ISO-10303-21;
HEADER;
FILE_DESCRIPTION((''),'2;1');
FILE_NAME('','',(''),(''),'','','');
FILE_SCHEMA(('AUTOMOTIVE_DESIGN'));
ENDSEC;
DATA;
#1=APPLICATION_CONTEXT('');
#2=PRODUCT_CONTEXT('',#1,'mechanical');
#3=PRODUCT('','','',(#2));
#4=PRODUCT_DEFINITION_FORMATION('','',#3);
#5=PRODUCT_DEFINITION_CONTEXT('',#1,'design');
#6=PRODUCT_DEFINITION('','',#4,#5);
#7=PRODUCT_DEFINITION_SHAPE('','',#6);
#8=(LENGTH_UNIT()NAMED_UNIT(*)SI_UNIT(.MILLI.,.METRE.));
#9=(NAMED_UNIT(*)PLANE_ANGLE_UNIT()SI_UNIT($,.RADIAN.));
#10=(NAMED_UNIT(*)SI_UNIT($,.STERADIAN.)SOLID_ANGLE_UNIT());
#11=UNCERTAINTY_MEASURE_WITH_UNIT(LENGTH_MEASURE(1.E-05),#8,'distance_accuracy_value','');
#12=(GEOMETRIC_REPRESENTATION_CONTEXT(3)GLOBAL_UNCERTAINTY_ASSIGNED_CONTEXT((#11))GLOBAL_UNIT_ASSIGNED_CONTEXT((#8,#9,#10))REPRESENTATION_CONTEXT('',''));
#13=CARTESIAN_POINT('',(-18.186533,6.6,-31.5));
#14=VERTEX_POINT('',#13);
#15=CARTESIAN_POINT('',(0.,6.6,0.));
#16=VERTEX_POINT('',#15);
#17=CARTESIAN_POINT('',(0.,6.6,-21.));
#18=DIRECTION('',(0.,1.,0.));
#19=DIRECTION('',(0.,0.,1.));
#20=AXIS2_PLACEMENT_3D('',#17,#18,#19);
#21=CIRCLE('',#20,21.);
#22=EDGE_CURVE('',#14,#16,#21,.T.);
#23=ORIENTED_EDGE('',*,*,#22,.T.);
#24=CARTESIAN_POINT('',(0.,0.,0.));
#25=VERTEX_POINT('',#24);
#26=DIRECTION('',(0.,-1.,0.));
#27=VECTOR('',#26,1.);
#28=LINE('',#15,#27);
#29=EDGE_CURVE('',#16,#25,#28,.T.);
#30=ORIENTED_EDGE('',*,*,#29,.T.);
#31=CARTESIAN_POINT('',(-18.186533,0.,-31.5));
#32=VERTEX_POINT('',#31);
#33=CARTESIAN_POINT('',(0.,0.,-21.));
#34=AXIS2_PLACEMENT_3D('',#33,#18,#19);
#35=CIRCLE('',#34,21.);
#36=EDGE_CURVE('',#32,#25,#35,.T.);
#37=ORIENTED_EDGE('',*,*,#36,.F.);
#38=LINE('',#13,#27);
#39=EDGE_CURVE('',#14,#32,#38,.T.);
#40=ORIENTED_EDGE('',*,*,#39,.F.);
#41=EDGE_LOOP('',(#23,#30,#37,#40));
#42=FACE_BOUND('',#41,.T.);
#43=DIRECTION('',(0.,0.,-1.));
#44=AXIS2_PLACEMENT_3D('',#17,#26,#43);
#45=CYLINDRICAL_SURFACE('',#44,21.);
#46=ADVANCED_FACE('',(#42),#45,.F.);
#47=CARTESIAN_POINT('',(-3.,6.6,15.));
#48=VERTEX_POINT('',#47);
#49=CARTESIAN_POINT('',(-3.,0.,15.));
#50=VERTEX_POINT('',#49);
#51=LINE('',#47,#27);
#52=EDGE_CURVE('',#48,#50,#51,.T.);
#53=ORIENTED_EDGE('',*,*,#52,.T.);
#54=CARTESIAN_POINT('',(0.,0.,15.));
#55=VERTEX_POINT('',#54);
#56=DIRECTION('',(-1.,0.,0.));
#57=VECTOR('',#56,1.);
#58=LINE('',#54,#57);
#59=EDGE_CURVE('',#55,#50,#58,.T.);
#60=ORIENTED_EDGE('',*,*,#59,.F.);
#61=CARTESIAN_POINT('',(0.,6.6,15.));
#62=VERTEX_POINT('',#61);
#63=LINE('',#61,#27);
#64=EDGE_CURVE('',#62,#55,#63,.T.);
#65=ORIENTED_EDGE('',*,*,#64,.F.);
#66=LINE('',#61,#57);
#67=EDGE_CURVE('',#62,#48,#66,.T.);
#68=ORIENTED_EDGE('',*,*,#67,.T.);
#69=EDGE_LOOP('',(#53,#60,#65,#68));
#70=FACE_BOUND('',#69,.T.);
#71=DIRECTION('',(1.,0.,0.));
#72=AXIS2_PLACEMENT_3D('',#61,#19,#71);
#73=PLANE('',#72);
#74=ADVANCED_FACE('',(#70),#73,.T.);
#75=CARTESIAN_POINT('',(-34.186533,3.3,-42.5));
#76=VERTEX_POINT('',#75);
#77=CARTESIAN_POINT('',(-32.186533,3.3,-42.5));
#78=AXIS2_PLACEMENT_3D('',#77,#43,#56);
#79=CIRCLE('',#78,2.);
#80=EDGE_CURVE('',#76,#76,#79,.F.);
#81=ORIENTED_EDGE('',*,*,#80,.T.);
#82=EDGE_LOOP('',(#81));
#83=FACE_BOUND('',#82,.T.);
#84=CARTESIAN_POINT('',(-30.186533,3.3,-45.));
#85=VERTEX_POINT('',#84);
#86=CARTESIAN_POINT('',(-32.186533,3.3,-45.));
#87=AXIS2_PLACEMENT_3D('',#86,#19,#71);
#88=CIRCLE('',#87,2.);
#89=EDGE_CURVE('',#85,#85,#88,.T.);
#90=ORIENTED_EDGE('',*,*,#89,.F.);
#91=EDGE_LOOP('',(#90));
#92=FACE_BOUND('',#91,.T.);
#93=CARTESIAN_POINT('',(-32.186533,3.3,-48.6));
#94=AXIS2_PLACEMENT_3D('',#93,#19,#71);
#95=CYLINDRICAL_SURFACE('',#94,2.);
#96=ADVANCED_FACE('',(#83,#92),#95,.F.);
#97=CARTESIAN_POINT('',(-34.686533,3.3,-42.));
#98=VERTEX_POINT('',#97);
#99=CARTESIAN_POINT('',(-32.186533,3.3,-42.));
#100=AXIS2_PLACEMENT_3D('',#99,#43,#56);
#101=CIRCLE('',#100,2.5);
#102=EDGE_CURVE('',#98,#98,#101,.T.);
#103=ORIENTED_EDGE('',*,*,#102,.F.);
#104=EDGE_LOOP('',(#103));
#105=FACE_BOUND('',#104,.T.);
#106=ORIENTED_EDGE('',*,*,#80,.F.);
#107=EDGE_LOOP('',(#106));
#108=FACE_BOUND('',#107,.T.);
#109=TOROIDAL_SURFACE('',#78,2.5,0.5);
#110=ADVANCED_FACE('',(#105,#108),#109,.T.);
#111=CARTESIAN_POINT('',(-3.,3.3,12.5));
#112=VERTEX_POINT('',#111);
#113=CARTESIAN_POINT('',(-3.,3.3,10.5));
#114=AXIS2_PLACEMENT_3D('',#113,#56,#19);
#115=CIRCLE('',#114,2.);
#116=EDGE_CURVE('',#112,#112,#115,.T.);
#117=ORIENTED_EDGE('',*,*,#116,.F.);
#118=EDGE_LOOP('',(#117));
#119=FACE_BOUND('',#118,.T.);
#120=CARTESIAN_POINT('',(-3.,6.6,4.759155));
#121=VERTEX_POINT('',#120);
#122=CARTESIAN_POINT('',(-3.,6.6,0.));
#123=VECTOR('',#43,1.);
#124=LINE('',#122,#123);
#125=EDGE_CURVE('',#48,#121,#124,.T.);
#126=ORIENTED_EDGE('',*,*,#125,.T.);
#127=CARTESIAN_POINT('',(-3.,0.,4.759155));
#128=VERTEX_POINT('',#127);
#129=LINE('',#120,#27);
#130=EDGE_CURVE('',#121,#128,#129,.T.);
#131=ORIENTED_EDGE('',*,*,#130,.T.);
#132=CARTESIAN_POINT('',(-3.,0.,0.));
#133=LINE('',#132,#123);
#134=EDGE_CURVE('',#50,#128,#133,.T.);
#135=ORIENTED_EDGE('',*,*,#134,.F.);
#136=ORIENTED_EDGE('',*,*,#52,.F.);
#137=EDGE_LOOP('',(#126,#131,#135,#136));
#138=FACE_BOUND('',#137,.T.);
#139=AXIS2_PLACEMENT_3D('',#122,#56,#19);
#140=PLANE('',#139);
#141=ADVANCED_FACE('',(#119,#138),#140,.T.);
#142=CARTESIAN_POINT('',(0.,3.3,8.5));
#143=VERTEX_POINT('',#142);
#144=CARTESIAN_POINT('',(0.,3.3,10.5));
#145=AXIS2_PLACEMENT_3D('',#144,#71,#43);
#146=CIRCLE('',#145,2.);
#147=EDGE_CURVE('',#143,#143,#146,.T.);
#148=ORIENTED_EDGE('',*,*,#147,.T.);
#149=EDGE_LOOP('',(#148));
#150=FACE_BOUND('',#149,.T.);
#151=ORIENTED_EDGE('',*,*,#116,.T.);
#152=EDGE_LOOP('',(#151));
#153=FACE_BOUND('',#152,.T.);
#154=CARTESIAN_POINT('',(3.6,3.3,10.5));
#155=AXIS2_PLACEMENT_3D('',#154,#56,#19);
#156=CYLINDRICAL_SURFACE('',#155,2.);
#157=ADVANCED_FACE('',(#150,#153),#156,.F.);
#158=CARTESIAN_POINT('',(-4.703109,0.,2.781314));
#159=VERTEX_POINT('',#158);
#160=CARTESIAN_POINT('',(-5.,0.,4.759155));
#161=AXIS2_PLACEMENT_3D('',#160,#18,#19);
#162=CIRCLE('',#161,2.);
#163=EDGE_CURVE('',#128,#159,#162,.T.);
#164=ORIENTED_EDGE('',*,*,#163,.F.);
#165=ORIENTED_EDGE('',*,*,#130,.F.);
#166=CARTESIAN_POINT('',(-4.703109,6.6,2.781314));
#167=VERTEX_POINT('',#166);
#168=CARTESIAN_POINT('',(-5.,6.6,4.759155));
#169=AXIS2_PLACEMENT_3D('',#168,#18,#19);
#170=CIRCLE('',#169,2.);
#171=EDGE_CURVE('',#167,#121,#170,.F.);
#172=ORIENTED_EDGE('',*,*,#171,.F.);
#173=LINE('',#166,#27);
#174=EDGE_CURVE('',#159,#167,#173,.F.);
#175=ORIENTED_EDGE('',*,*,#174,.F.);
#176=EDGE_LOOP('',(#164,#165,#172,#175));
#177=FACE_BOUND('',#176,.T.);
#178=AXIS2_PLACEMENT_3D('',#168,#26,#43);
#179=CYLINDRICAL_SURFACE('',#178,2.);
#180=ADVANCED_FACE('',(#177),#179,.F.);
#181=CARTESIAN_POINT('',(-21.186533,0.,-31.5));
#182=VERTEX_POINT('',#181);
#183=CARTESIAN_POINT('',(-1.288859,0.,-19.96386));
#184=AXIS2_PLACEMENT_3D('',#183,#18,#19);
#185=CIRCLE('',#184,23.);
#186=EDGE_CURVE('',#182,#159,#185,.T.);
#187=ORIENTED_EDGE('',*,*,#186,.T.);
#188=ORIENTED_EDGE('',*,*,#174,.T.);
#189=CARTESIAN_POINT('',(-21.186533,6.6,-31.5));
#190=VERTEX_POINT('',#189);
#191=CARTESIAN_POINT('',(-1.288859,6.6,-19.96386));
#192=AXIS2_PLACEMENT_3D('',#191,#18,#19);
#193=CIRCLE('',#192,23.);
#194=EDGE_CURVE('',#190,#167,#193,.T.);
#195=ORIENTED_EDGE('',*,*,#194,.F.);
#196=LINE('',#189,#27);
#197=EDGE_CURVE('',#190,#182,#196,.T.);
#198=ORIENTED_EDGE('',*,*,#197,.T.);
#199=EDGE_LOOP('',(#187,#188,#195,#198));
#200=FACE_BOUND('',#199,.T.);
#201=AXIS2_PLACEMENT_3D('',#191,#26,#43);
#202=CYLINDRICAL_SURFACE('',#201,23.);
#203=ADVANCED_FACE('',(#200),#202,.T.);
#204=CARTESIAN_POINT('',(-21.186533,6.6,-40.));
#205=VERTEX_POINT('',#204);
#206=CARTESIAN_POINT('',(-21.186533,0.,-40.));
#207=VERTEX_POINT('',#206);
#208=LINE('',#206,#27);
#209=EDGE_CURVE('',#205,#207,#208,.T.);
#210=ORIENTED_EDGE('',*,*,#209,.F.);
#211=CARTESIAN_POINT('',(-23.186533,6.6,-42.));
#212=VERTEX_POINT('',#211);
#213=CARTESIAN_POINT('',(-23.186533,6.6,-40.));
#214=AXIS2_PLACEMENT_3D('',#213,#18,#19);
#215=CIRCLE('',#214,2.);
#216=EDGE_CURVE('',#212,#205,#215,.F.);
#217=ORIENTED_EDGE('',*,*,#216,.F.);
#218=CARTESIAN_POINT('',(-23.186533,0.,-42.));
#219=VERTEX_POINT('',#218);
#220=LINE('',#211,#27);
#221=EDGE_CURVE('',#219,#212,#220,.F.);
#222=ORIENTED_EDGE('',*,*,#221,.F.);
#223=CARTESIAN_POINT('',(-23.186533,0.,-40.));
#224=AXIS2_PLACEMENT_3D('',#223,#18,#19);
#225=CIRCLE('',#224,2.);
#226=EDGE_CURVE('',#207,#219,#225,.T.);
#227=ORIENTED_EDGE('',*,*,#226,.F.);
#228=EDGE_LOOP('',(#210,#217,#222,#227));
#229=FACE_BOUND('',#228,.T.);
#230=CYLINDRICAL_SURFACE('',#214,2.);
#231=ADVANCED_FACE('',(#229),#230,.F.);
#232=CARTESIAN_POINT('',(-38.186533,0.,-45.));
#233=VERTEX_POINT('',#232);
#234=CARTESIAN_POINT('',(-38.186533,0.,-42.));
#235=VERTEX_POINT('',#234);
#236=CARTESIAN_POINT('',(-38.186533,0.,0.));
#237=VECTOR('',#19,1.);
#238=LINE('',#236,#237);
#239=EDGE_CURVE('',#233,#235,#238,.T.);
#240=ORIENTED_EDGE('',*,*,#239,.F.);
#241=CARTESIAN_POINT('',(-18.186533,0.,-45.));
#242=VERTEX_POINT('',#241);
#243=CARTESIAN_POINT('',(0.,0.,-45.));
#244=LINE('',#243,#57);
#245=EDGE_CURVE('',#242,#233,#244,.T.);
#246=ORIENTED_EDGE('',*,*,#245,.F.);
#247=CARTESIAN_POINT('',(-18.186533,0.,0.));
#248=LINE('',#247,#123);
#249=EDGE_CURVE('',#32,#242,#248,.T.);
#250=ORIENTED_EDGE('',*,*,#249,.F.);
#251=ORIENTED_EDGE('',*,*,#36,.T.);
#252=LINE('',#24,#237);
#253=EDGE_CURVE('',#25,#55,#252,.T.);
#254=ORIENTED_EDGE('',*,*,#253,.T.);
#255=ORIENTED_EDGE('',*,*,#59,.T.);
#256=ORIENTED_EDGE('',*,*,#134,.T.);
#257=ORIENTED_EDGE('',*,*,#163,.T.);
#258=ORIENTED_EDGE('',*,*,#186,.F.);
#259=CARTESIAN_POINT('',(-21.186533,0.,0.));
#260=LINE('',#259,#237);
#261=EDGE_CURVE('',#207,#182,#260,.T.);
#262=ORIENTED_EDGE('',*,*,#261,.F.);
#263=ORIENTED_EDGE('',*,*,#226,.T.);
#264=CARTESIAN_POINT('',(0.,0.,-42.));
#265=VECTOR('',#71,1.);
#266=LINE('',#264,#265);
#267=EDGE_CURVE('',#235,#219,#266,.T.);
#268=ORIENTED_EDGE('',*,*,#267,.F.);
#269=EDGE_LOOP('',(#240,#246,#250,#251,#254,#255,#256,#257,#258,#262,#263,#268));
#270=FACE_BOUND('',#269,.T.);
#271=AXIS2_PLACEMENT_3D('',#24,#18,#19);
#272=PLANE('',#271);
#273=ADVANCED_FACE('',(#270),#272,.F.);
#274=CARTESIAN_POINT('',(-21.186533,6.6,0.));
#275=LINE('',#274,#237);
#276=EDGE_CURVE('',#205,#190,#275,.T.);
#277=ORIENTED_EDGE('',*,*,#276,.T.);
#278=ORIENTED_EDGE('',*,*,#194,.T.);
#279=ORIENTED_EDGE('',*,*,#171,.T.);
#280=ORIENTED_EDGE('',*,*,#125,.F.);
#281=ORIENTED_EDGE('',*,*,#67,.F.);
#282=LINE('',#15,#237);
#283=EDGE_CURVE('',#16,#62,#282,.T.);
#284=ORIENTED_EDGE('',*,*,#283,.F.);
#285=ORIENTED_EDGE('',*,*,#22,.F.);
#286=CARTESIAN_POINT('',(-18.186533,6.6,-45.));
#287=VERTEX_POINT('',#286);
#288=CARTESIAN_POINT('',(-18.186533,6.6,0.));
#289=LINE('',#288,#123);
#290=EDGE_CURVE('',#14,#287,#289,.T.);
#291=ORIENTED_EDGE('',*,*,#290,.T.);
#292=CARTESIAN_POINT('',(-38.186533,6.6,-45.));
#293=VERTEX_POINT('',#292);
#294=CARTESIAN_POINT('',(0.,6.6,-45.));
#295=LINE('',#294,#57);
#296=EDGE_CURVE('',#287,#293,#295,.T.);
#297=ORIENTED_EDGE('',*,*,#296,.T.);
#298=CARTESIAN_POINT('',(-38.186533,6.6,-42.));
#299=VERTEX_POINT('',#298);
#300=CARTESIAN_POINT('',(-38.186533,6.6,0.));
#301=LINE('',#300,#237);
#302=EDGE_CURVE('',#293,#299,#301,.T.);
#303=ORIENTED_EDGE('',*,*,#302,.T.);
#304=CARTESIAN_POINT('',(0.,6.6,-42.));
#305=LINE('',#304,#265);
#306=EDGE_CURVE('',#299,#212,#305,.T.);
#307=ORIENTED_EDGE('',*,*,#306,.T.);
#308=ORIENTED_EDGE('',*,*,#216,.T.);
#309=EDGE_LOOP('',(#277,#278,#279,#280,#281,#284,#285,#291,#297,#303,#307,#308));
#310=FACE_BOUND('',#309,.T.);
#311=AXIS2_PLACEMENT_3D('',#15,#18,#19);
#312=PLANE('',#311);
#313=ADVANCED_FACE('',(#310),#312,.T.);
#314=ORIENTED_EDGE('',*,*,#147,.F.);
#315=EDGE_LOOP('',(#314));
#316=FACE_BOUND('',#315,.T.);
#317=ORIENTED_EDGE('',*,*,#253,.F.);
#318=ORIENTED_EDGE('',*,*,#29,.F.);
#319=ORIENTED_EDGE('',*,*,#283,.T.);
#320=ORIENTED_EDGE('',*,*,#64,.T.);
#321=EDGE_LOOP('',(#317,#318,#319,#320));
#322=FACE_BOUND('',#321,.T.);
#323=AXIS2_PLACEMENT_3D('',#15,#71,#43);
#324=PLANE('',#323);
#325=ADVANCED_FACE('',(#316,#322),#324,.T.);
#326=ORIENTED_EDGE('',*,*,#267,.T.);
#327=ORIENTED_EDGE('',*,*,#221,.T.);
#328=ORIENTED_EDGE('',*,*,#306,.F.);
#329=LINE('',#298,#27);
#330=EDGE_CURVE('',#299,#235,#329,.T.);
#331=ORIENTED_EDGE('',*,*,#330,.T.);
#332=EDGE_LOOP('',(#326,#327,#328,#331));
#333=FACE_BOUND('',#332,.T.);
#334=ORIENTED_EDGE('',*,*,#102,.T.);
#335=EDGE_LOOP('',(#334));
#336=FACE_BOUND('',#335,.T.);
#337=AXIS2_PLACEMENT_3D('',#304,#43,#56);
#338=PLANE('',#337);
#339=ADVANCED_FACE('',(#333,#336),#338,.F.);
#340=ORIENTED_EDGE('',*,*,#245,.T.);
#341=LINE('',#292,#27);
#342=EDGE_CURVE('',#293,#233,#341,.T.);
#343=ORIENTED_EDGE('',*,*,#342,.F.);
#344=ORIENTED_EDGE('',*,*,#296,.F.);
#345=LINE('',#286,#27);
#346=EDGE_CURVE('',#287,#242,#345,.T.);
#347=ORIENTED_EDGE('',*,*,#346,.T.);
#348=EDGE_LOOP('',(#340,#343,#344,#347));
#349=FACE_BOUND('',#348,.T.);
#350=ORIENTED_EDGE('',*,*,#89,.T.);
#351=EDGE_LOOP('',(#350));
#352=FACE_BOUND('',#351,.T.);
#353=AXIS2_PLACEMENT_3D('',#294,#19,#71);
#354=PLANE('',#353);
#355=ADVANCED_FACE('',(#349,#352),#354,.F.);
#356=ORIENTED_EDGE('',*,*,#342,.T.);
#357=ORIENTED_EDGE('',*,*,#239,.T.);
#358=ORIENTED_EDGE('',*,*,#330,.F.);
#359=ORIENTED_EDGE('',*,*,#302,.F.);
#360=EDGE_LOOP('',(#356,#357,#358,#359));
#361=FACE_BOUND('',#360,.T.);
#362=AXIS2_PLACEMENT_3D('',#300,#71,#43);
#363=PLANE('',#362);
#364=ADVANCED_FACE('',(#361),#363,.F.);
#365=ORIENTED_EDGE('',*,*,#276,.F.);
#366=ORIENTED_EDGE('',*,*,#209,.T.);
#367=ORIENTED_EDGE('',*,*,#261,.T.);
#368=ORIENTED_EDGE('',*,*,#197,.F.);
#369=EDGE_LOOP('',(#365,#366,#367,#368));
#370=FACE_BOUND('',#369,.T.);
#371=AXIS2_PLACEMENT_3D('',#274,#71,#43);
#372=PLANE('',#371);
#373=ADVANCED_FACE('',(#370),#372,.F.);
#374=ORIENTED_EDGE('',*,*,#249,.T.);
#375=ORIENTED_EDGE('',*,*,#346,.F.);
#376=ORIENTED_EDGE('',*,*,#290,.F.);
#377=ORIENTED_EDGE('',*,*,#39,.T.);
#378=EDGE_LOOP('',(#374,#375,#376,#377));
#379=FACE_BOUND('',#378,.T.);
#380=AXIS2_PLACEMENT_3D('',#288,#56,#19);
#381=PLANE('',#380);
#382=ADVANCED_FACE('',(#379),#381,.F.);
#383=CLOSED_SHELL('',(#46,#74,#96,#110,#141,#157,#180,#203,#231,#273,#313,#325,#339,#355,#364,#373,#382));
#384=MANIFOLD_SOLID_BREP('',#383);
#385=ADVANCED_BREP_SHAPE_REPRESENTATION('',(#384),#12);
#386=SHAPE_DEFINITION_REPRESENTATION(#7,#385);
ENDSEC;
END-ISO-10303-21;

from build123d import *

# Parameters (mm, degrees)
BOSS_EXTRUDE1_DEPTH = 6.6
SKETCH4_R           = 2
CUT_EXTRUDE1_DEPTH  = 6.6
FILLET1_R           = 2
FILLET2_R           = 0.5
FILLET3_R           = 2
SKETCH5_R           = 2
CUT_EXTRUDE2_DEPTH  = 6.6


with BuildPart() as part:
    # Sketch3 → Boss-Extrude1 (new body)
    with BuildSketch(Plane(origin=(0, 0, 0), x_dir=(1, 0, 0), z_dir=(0, 1, 0))):
        with BuildLine():
            ThreePointArc((-18.186533479, 31.5), (-18.186533479, 10.5), (0, 0))
            Line((0, 0), (0, -3))
            ThreePointArc((0, -3), (-20.888208397, 7.927851418), (-21.186533479, 31.5))
            Line((-21.186533479, 31.5), (-18.186533479, 31.5))
        make_face()
        Polygon((-38.186533479, 42), (-21.186533479, 42), (-21.186533479, 31.5), (-18.186533479, 31.5), (-18.186533479, 45), (-38.186533479, 45), align=None)
        with BuildLine():
            Line((0, -15), (0, -3))
            ThreePointArc((0, -3), (-1.5004505, -3.035167191), (-3, -2.972399899))
            Line((-3, -2.972399899), (-3, -15))
            Line((-3, -15), (0, -15))
        make_face()
    extrude(amount=BOSS_EXTRUDE1_DEPTH)

    # Sketch4 → Cut-Extrude1 (cut)
    with BuildSketch(Plane.XY.offset(-42)):
        with Locations((-32.186533479, 3.3)):
            Circle(SKETCH4_R)
    extrude(amount=-CUT_EXTRUDE1_DEPTH, mode=Mode.SUBTRACT)

    # Fillet1
    fillet1_edges = [part.edges().sort_by_distance(p)[0] for p in [
        (-21.186533479, 3.3, -42),
    ]]
    fillet(fillet1_edges, radius=FILLET1_R)

    # Fillet2
    fillet2_edges = [part.edges().sort_by_distance(p)[0] for p in [
        (-34.186533479, 3.3, -42),
    ]]
    fillet(fillet2_edges, radius=FILLET2_R)

    # Fillet3
    fillet3_edges = [part.edges().sort_by_distance(p)[0] for p in [
        (-3, 3.3, 2.972399899),
    ]]
    fillet(fillet3_edges, radius=FILLET3_R)

    # Sketch5 → Cut-Extrude2 (cut)
    with BuildSketch(Plane.ZY.offset(3)):
        with Locations((10.5, 3.3)):
            Circle(SKETCH5_R)
    extrude(amount=-CUT_EXTRUDE2_DEPTH, mode=Mode.SUBTRACT)


solid = part.part
